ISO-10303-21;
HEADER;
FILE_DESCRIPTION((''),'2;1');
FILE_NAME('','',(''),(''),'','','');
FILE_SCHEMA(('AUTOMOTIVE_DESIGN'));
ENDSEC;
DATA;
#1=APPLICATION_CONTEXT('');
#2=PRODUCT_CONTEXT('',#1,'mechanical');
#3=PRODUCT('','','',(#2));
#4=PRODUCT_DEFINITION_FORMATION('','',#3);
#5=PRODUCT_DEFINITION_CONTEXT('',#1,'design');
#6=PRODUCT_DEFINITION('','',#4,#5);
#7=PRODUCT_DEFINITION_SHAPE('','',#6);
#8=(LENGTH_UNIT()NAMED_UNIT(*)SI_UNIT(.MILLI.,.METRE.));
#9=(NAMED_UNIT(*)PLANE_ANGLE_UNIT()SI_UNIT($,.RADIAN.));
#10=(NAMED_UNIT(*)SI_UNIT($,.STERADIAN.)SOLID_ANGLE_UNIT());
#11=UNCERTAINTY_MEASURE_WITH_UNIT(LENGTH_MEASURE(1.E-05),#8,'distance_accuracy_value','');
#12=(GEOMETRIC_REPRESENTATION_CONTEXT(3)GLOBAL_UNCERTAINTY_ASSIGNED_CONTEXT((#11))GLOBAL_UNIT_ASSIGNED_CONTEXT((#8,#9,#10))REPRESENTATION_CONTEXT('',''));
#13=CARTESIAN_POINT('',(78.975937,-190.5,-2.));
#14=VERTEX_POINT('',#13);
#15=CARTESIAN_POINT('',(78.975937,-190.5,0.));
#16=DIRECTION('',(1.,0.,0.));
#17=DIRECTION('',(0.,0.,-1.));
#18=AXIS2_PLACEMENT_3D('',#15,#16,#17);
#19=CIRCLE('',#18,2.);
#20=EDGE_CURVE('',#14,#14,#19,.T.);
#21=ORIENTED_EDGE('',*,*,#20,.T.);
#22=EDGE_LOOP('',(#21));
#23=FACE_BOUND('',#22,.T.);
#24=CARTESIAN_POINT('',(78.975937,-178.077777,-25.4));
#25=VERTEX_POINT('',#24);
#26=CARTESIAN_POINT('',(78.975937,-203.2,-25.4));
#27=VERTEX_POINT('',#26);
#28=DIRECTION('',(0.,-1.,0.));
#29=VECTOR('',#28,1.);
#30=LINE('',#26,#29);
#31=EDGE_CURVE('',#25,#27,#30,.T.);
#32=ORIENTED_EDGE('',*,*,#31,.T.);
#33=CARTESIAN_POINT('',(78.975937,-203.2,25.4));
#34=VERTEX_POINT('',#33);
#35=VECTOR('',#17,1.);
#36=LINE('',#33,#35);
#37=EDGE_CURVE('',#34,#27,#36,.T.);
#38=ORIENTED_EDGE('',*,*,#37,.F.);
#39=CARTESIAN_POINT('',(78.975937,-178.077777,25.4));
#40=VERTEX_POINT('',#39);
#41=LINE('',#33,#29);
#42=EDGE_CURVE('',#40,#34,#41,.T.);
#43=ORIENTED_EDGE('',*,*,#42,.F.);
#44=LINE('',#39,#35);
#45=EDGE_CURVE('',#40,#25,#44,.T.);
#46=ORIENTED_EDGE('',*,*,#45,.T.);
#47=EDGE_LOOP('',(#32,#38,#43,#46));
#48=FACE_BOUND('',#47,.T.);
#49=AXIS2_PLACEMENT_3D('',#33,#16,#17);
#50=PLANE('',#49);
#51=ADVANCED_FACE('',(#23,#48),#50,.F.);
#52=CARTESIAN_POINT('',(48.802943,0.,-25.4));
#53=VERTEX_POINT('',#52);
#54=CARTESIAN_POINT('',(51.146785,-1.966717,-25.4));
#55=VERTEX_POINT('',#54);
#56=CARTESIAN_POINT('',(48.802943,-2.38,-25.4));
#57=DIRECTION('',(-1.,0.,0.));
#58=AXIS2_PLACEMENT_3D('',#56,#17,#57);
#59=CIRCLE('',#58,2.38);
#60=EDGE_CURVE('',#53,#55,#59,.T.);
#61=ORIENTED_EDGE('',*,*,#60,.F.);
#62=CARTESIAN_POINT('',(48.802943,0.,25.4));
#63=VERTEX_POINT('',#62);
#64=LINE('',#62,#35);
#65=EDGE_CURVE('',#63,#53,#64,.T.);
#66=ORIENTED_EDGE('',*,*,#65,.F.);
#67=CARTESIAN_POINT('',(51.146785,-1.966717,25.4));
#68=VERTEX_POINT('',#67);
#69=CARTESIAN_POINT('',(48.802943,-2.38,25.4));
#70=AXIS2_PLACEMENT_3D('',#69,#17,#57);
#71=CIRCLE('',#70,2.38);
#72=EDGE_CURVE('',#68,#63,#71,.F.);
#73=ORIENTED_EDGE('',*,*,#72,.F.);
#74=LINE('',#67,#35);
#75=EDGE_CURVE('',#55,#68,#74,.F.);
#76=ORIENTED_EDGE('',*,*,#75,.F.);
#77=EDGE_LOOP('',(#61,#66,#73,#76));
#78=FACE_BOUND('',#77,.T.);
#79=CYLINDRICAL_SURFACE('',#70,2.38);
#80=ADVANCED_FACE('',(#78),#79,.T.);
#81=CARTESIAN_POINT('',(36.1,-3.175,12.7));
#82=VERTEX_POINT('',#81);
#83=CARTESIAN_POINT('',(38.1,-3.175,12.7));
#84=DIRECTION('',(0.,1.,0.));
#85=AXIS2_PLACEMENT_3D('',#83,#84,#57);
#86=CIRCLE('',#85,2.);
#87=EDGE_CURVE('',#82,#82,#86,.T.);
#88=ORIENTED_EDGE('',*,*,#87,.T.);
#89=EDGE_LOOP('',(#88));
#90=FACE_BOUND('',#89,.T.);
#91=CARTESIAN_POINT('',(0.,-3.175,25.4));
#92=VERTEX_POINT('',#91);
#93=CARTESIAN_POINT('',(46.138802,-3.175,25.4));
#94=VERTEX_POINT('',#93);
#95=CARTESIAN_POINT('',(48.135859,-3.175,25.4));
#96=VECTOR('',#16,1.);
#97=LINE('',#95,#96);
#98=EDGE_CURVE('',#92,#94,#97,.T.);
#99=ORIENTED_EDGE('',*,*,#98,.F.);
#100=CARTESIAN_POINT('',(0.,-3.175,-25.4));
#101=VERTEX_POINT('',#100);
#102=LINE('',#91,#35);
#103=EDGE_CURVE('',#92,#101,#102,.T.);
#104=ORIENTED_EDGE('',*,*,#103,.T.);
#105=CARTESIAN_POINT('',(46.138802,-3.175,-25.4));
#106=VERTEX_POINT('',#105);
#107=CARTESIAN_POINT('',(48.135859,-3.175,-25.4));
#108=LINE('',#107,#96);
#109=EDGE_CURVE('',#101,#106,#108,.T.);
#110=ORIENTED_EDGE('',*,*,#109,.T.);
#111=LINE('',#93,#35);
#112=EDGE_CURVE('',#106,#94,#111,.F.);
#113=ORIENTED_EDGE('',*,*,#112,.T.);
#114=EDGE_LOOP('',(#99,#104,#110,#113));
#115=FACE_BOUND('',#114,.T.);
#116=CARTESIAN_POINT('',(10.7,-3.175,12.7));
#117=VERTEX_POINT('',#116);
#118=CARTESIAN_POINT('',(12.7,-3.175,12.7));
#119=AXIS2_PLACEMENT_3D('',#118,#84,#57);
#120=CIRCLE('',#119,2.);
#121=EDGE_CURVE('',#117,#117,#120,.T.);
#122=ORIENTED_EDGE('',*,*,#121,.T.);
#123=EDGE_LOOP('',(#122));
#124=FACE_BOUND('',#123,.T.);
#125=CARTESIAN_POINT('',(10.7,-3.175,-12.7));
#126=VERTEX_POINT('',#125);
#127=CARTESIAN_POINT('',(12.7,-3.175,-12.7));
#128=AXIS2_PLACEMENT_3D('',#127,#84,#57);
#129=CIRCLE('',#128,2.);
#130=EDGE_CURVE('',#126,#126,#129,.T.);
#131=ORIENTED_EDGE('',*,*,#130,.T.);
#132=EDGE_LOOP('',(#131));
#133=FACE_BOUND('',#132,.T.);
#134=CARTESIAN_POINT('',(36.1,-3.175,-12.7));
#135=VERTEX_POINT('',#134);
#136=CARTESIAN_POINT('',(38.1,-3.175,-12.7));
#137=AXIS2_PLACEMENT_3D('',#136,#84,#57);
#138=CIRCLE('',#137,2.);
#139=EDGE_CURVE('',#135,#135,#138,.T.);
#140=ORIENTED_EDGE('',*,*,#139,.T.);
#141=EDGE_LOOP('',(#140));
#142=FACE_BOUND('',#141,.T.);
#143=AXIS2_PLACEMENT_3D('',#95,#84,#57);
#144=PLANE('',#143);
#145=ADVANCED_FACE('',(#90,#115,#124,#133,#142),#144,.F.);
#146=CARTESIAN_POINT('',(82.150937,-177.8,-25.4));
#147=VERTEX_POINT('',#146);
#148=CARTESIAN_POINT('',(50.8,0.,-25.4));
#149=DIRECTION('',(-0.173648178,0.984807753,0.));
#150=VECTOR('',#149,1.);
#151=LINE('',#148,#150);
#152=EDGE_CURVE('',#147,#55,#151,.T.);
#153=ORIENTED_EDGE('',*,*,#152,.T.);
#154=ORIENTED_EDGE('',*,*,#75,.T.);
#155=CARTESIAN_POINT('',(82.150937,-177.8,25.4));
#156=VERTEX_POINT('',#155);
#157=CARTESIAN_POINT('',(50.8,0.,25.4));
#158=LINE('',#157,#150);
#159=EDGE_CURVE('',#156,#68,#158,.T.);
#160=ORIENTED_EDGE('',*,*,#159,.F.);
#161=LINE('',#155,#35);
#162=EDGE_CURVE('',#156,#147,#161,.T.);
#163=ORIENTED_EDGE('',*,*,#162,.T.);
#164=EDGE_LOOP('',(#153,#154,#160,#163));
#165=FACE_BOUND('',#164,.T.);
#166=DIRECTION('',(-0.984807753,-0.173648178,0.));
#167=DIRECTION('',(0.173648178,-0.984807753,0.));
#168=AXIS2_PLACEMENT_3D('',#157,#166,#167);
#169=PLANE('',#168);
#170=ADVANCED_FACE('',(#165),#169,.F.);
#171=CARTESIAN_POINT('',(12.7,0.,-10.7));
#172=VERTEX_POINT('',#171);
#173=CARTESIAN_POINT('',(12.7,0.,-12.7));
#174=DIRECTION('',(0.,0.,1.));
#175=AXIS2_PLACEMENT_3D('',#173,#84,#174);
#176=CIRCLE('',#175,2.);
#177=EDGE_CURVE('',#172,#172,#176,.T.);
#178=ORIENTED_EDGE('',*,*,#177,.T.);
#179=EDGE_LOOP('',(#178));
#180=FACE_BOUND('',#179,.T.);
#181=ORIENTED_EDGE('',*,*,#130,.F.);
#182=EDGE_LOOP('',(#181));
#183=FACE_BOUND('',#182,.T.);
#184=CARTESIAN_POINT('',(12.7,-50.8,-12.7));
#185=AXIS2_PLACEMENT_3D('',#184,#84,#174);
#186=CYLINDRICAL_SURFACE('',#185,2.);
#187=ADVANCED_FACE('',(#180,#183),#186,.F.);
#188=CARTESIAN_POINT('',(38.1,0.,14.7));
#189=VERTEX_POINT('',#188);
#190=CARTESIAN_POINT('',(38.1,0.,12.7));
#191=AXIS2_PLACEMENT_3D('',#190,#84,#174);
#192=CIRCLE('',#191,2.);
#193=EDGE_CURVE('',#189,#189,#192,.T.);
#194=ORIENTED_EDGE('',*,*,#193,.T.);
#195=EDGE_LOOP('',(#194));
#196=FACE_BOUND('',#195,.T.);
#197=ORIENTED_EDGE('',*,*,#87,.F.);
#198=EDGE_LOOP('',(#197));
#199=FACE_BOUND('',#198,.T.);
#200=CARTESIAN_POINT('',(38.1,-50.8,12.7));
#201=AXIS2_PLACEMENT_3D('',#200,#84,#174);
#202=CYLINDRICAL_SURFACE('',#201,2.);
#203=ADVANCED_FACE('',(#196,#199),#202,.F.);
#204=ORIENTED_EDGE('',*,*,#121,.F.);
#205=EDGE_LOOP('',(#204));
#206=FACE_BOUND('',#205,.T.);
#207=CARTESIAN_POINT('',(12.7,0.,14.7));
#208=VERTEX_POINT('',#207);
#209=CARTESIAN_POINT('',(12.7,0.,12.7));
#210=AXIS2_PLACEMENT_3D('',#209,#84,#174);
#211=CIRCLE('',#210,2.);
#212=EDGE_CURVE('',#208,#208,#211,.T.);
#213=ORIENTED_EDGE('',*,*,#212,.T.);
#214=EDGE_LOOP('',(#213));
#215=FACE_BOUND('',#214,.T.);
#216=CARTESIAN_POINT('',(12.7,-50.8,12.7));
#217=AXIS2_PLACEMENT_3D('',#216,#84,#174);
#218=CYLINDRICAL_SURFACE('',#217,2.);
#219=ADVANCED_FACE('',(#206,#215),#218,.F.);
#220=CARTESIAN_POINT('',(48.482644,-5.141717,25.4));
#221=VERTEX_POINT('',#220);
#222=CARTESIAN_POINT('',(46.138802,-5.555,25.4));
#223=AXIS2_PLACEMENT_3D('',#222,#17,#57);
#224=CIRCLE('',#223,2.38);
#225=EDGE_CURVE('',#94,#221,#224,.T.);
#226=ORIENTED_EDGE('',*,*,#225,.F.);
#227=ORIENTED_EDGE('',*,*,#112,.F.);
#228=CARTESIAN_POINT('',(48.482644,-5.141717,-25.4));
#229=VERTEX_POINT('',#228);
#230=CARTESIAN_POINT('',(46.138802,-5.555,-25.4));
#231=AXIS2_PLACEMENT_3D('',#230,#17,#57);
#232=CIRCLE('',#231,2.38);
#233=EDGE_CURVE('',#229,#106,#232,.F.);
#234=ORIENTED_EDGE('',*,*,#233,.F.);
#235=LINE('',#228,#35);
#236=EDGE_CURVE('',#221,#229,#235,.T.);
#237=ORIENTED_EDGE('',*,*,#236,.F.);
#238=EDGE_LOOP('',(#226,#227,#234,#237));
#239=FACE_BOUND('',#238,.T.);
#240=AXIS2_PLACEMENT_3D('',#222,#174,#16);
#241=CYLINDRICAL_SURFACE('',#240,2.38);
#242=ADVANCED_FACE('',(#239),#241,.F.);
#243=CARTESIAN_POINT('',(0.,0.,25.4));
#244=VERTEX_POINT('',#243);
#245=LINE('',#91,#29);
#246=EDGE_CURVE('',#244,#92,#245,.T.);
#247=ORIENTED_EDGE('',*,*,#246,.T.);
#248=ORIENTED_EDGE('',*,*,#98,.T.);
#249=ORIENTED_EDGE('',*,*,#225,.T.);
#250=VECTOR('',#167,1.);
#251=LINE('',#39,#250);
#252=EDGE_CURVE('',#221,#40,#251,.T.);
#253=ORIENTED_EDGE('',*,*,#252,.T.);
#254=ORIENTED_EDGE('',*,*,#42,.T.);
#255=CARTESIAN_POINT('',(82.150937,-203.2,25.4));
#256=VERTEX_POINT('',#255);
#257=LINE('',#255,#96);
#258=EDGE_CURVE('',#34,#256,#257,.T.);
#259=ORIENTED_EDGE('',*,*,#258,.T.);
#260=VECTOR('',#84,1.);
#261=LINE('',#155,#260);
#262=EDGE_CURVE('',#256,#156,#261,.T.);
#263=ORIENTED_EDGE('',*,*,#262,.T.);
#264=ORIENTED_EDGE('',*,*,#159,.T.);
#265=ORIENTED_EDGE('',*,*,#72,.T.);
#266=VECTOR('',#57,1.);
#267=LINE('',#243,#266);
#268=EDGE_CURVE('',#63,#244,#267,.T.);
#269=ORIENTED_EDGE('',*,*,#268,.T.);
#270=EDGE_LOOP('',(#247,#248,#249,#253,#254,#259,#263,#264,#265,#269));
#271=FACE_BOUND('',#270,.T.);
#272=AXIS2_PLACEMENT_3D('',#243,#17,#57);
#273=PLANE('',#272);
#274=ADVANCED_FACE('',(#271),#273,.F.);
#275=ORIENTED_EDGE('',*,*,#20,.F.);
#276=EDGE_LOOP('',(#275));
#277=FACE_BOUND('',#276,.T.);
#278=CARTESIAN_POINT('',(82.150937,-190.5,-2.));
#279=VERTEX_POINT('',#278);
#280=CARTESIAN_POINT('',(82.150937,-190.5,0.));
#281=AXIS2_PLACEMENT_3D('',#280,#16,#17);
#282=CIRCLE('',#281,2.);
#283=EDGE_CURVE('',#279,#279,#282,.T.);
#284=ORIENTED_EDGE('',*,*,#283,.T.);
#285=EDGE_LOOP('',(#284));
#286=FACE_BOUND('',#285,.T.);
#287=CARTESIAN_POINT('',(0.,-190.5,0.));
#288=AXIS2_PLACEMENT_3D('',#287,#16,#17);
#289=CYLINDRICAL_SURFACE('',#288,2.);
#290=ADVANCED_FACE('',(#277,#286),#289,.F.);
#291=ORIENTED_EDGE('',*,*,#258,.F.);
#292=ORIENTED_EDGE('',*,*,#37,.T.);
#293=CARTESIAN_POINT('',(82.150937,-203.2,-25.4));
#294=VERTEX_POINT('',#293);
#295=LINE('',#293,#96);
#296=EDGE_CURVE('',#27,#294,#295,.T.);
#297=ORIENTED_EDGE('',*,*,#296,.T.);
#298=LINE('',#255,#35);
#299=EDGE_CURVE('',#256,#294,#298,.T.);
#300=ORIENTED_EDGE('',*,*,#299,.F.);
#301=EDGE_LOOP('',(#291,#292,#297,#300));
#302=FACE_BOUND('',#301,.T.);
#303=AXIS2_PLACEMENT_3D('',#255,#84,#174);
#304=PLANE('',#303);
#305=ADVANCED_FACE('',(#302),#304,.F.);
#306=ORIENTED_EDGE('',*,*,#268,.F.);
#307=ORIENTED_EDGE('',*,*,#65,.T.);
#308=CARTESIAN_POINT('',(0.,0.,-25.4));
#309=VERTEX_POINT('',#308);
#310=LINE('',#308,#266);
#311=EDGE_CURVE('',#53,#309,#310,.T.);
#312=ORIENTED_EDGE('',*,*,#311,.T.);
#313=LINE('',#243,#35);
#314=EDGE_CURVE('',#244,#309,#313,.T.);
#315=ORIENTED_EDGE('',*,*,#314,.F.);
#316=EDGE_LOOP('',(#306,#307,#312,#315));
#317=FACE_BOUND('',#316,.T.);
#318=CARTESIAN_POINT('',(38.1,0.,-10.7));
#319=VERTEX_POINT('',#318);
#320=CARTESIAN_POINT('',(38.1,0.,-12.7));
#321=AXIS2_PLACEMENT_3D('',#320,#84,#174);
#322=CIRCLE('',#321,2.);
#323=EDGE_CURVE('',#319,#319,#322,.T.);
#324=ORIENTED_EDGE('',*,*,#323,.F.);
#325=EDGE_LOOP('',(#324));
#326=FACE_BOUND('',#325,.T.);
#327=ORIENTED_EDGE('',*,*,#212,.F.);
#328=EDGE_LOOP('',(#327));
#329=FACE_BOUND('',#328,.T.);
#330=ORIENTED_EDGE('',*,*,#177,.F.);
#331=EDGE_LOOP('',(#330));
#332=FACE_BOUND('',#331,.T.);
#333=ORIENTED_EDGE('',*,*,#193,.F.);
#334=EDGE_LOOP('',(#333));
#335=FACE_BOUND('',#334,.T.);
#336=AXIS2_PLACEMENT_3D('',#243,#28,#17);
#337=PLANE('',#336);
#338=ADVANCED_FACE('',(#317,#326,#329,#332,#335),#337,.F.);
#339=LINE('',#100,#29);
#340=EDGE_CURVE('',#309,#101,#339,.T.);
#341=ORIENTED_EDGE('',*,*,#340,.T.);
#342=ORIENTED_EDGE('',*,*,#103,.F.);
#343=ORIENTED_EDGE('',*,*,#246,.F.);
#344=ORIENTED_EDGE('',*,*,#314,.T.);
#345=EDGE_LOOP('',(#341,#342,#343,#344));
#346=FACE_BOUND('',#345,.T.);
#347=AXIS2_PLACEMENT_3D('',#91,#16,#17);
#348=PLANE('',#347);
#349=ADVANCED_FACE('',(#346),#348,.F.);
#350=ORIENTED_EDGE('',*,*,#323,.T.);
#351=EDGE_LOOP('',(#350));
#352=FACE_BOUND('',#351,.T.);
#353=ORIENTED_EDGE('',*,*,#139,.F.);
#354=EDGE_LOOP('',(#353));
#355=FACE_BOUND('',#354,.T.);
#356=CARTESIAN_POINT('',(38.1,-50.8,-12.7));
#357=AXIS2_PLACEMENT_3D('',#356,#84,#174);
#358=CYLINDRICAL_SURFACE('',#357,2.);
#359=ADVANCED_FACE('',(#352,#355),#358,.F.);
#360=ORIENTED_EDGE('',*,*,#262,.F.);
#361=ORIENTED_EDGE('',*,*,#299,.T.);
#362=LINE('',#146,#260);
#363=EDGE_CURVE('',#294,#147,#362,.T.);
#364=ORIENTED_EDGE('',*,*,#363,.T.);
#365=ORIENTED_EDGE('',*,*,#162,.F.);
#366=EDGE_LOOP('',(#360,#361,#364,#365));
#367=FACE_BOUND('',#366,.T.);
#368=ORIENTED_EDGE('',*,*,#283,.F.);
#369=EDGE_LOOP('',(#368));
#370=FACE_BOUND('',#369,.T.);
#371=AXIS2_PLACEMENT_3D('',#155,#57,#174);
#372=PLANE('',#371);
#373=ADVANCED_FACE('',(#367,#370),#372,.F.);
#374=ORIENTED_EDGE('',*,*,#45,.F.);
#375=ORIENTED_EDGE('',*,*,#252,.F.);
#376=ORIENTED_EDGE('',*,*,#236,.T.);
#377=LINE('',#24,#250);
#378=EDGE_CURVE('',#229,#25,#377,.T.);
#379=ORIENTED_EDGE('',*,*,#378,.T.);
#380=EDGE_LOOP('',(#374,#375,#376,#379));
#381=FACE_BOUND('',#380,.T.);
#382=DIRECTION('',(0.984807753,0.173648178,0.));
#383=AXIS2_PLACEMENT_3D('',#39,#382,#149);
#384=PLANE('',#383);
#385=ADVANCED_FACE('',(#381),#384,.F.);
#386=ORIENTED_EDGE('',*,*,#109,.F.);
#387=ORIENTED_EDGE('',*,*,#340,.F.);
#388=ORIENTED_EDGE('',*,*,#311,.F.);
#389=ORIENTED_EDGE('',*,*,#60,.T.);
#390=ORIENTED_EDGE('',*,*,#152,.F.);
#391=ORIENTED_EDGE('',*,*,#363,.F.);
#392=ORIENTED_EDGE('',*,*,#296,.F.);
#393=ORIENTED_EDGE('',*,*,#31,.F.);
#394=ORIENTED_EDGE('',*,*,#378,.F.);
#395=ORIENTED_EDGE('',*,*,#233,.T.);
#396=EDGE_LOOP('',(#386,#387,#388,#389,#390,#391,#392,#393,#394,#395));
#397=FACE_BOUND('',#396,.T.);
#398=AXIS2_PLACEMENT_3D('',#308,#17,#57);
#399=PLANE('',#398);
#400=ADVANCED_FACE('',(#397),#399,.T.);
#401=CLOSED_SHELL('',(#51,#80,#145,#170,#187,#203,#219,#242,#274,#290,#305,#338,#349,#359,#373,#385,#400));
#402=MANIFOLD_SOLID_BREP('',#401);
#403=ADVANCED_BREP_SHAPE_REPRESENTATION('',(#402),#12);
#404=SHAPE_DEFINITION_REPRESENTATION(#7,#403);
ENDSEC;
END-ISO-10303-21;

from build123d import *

# Parameters (mm, degrees)
BOSS_EXTRUDE1_DEPTH = 25.4
SKETCH3_R           = 2
CUT_EXTRUDE1_DEPTH  = 50.8
SKETCH4_R           = 2
CUT_EXTRUDE2_DEPTH  = 83.15093717
FILLET1_R           = 2.38


with BuildPart() as part:
    # Sketch1 → Boss-Extrude1 (new body, symmetric)
    with BuildSketch(Plane.XY):
        Polygon((0, 0), (50.8, 0), (82.15093717, -177.8), (82.15093717, -203.2), (78.97593717, -203.2), (78.97593717, -178.077776507), (48.135858671, -3.175), (0, -3.175), align=None)
    extrude(amount=BOSS_EXTRUDE1_DEPTH, both=True)

    # Sketch3 → Cut-Extrude1 (cut)
    with BuildSketch(Plane(origin=(0, 0, 0), x_dir=(1, 0, 0), z_dir=(0, 1, 0))):
        with Locations((12.7, -12.7)):
            Circle(SKETCH3_R)
        with Locations((12.7, 12.7)):
            Circle(SKETCH3_R)
        with Locations((38.1, 12.7)):
            Circle(SKETCH3_R)
        with Locations((38.1, -12.7)):
            Circle(SKETCH3_R)
    extrude(amount=-CUT_EXTRUDE1_DEPTH, mode=Mode.SUBTRACT)

    # Sketch4 → Cut-Extrude2 (cut, through all)
    with BuildSketch(Plane(origin=(82.15093717, 0, 0), x_dir=(0, 0, -1), z_dir=(1, 0, 0))):
        with Locations((0, -190.5)):
            Circle(SKETCH4_R)
    extrude(amount=-CUT_EXTRUDE2_DEPTH, mode=Mode.SUBTRACT)

    # Fillet1
    fillet1_edges = [part.edges().sort_by_distance(p)[0] for p in [
        (50.8, 0, 0),
        (48.135858671, -3.175, 0),
    ]]
    fillet(fillet1_edges, radius=FILLET1_R)


solid = part.part
